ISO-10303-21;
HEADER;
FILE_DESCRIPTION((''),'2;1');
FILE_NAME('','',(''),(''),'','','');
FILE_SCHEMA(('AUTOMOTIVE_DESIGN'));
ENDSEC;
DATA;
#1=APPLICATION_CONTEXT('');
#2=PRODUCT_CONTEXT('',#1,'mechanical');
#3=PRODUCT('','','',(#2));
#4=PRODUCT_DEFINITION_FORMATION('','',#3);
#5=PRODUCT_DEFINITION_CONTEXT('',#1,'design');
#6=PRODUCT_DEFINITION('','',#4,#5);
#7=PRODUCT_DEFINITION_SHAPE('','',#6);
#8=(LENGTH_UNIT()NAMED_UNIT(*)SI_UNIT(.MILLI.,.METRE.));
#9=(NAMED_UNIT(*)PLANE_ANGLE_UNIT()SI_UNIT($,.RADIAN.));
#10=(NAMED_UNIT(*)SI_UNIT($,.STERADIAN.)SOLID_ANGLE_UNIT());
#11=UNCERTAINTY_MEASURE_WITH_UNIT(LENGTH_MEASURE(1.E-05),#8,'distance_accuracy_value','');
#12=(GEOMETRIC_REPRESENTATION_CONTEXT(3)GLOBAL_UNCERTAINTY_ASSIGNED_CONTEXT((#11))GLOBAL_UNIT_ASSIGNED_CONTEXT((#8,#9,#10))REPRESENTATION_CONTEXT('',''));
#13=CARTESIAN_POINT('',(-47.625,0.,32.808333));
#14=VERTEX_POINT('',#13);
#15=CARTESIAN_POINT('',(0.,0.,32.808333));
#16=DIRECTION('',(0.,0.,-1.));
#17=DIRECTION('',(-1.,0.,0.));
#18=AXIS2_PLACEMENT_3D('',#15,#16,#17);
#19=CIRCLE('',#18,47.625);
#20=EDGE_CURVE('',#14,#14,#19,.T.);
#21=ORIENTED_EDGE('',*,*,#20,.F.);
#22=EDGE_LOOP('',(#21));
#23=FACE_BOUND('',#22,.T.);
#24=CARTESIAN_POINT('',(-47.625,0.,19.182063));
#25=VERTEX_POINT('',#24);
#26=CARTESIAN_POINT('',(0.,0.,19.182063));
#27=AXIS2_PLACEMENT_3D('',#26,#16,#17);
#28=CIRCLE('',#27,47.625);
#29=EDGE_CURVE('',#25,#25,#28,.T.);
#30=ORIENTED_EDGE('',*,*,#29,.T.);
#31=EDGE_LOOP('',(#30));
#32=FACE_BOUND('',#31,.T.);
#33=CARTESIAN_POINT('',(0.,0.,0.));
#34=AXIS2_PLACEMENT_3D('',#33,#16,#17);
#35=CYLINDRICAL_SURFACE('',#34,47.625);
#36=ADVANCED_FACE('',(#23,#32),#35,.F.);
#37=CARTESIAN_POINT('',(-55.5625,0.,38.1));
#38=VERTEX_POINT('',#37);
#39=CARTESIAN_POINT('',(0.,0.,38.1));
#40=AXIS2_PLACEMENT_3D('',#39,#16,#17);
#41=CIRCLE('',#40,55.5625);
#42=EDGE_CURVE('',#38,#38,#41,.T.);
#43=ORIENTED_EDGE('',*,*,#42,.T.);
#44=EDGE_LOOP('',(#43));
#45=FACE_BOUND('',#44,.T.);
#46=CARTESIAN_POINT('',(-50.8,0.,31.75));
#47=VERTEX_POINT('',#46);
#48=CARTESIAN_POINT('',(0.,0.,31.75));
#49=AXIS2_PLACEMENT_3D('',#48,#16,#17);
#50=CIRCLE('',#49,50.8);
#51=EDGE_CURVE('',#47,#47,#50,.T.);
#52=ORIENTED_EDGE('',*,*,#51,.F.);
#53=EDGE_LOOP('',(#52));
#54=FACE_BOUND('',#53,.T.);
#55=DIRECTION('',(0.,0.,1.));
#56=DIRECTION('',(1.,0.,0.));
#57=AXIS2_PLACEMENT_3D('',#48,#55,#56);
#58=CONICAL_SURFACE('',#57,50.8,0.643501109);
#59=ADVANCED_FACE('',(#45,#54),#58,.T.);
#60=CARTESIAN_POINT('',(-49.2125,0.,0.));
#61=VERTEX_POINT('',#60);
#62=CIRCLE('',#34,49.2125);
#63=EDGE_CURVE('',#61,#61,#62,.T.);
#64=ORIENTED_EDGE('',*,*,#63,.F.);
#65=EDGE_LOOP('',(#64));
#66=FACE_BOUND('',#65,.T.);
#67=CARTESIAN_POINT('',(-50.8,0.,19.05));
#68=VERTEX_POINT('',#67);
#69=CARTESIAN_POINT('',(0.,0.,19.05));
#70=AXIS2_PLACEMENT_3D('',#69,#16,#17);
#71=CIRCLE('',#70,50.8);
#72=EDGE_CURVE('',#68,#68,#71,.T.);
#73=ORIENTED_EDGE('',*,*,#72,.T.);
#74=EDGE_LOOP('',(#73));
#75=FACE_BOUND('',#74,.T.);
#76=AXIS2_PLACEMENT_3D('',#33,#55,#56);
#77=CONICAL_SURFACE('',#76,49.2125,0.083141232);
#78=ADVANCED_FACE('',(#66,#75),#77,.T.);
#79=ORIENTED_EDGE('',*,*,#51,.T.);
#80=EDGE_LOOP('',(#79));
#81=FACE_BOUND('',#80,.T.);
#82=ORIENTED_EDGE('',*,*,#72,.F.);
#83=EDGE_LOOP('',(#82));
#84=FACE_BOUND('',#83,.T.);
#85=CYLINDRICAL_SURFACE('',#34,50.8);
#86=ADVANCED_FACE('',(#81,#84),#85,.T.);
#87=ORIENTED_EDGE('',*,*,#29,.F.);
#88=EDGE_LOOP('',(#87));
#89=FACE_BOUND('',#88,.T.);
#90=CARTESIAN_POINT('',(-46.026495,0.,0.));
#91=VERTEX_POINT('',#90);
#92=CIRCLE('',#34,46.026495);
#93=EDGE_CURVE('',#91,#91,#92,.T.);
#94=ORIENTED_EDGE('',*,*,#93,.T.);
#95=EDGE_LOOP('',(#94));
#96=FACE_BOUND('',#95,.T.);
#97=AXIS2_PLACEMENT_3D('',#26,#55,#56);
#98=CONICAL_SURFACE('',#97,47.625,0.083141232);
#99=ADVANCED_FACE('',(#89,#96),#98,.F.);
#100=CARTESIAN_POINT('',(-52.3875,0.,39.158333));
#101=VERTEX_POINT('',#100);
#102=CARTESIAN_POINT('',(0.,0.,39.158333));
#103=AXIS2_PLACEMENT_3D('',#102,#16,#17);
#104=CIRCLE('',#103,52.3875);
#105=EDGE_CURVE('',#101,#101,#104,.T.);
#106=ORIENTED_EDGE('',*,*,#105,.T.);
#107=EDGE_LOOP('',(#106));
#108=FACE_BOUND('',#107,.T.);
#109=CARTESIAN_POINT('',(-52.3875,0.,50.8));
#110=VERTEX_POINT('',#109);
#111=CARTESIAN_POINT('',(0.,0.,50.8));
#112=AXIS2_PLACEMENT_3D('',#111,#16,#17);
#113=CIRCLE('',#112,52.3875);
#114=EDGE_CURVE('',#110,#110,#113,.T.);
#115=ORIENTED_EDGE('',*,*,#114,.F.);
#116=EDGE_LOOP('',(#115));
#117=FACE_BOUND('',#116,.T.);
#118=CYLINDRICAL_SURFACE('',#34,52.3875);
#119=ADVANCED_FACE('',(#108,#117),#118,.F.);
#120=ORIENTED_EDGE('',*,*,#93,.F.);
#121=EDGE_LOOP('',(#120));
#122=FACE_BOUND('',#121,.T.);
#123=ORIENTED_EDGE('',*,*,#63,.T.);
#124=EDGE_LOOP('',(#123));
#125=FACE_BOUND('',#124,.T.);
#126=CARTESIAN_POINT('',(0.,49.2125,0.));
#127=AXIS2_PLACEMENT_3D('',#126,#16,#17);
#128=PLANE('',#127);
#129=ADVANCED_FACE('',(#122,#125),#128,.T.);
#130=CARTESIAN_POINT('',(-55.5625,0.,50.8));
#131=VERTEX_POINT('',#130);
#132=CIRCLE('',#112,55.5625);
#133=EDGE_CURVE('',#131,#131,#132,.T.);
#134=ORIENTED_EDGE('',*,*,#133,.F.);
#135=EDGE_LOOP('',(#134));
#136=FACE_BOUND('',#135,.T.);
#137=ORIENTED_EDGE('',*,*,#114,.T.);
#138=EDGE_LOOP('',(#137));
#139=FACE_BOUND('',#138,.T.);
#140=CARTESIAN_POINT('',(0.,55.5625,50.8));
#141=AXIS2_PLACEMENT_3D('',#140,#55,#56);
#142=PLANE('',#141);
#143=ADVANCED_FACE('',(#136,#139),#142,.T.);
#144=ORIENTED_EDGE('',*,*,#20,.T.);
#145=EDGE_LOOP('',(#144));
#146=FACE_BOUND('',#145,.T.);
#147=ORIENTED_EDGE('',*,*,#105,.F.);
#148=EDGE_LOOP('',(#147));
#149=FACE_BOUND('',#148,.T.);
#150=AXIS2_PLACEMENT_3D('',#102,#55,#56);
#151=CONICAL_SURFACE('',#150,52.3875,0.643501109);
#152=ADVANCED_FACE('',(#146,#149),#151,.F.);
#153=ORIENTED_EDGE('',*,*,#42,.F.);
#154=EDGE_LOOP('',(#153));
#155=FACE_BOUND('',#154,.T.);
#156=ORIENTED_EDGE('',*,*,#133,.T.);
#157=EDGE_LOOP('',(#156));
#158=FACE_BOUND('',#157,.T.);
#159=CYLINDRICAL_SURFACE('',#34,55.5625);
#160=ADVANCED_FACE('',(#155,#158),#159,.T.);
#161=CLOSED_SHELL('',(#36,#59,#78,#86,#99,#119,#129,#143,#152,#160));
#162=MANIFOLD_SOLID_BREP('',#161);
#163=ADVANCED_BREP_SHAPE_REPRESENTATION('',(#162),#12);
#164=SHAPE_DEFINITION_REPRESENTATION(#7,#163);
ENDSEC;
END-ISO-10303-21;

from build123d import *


with BuildPart() as part:
    # Sketch1 → Revolve1 (revolve)
    with BuildSketch(Plane(origin=(0, 0, 0), x_dir=(0, 0, -1), z_dir=(1, 0, 0))):
        Polygon((-39.158333333, 52.3875), (-32.808333333, 47.625), (-19.182062788, 47.625), (0, 46.026494768), (0, 49.2125), (-19.05, 50.8), (-31.75, 50.8), (-38.1, 55.5625), (-50.8, 55.5625), (-50.8, 52.3875), align=None)
    revolve(axis=Axis((0, 0, 0), (0, 0, 1)))


solid = part.part
